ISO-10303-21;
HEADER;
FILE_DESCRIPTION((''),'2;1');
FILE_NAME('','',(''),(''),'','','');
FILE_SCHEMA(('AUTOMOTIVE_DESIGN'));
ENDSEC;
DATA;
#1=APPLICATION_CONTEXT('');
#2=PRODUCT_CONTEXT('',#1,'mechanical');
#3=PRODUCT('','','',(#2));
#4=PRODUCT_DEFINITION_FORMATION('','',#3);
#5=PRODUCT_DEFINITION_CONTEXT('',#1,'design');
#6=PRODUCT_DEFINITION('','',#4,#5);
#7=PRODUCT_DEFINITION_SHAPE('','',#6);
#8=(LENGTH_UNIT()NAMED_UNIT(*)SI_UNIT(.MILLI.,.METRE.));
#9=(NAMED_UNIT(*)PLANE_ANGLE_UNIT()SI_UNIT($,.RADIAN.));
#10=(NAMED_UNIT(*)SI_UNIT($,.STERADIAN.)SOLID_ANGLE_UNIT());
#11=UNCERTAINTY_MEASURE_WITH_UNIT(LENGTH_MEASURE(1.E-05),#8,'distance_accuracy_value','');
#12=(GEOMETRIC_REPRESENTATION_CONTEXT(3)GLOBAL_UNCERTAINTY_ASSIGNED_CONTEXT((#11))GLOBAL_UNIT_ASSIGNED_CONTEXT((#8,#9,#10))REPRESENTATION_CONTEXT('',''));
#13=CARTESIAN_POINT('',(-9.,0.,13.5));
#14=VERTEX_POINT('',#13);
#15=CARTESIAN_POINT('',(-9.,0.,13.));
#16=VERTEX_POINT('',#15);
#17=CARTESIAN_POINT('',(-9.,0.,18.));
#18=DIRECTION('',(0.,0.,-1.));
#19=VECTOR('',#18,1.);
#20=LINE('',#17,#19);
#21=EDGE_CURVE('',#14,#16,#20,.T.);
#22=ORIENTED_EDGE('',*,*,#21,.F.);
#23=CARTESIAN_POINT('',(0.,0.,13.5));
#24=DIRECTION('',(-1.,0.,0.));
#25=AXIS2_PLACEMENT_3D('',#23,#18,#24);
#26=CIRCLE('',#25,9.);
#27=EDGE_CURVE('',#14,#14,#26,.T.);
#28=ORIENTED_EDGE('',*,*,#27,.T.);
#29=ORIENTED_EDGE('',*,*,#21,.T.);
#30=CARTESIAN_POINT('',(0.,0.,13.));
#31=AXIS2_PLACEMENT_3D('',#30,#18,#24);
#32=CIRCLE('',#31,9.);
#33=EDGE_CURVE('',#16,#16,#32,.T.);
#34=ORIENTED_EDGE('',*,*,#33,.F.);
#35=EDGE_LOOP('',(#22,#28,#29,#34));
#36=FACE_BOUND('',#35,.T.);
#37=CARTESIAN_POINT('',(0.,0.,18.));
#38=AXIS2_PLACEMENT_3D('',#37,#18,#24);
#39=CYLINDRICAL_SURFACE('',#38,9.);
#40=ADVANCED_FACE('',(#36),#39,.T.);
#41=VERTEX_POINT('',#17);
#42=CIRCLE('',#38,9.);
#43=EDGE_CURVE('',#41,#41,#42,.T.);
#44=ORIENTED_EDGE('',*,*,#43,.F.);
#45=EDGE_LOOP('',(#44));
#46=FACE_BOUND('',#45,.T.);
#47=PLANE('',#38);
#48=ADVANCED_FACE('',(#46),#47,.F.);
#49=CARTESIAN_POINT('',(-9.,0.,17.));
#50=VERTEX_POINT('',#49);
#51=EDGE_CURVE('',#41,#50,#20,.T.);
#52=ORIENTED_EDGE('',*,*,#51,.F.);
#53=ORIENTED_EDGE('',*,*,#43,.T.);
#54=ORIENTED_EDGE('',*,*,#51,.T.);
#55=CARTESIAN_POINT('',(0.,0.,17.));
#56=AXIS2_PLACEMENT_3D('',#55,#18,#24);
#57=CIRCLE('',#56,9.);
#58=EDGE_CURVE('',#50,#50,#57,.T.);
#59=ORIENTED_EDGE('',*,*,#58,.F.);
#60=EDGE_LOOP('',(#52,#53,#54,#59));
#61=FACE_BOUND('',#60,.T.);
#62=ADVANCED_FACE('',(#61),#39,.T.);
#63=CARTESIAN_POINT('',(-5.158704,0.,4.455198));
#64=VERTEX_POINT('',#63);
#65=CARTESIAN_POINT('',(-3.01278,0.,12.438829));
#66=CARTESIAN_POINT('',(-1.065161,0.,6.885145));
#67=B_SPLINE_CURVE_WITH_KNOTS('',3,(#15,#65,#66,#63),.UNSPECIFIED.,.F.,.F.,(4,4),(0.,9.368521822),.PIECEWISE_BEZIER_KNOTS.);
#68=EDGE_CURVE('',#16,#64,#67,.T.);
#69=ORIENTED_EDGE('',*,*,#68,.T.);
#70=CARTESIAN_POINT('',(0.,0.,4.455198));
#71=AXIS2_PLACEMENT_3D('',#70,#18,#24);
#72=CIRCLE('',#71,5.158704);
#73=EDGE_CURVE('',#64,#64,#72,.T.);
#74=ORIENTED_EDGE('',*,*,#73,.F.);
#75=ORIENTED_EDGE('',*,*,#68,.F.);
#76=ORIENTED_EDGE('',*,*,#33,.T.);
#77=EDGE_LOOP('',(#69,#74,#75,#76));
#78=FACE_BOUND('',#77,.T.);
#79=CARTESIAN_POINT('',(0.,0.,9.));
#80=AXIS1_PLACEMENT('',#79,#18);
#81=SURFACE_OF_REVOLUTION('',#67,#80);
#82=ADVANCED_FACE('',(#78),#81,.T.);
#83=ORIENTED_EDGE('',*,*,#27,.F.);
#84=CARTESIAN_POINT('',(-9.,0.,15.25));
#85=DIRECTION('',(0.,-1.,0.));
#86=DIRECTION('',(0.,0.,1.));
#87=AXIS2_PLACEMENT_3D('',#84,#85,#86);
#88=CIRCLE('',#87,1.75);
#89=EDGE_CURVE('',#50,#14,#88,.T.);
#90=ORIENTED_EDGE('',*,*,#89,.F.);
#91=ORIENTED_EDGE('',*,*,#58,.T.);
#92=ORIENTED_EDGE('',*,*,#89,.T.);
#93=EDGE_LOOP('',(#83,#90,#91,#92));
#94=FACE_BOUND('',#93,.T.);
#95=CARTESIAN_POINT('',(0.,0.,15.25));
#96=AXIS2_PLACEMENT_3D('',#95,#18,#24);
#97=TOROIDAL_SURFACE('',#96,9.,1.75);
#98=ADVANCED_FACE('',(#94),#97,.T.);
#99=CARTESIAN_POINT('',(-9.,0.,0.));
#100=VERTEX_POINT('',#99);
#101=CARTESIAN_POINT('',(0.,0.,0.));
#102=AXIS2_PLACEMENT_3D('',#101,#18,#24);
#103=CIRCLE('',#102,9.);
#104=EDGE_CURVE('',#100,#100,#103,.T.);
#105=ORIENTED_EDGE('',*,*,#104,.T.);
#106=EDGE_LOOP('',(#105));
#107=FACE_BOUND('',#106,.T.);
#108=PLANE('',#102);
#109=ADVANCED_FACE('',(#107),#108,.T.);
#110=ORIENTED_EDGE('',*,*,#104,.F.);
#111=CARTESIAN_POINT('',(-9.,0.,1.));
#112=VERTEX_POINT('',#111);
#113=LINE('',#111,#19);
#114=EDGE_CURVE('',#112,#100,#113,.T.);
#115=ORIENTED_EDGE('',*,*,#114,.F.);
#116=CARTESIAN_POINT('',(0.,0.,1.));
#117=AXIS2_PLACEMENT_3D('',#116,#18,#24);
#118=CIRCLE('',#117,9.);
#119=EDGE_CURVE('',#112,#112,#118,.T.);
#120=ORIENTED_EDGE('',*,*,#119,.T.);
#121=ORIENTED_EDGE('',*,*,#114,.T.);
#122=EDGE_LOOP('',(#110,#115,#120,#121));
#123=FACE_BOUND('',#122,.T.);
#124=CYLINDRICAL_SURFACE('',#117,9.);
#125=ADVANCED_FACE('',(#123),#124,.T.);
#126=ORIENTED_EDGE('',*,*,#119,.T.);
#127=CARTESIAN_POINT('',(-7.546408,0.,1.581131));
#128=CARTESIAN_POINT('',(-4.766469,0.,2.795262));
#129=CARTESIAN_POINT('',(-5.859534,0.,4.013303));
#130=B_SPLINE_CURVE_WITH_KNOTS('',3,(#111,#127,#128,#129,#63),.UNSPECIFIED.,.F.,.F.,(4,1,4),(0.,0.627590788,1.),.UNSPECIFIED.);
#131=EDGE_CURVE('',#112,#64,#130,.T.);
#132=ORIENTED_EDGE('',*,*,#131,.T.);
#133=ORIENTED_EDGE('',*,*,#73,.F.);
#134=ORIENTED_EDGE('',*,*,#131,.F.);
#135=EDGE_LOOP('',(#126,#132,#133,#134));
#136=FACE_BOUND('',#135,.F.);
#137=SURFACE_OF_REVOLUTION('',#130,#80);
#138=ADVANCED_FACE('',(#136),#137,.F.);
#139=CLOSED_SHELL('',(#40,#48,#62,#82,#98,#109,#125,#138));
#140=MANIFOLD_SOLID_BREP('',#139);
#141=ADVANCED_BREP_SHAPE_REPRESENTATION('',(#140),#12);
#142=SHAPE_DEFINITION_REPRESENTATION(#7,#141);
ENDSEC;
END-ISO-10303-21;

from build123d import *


with BuildPart() as f1:
    # F0 (on Front) → F1 (revolve)
    with BuildSketch(Plane.XZ):
        with BuildLine():
            Line((-9, 0), (0, 0))
            Line((0, 0), (0, 18))
            Line((0, 18), (-9, 18))
            Line((-9, 18), (-9, 17))
            Line((-9, 17), (-9, 13.5))
            Line((-9, 13.5), (-9, 13))
            add(Edge.make_bspline(
                [(-9, 13), (-3.0127796344, 12.4388290569), (-1.0651612843, 6.8851449664), (-5.1587042399, 4.4551976025)],
                knots=[0, 0, 0, 0, 9.368521822, 9.368521822, 9.368521822, 9.368521822], degree=3))
            add(Edge.make_bspline(
                [(-9, 1), (-7.5464079861, 1.5811309347), (-4.7664688829, 2.7952623711), (-5.8595344675, 4.0133028106), (-5.1587042399, 4.4551976025)],
                knots=[0, 0, 0, 0, 0.6275907877, 1, 1, 1, 1], degree=3))
            Line((-9, 1), (-9, 0))
        make_face()
        with BuildLine():
            Line((-9, 13.5), (-9, 17))
            ThreePointArc((-9, 17), (-10.75, 15.25), (-9, 13.5))
        make_face()
    revolve(axis=Axis((0, 0, 9), (0, 0, -1)))


solid = f1.part
